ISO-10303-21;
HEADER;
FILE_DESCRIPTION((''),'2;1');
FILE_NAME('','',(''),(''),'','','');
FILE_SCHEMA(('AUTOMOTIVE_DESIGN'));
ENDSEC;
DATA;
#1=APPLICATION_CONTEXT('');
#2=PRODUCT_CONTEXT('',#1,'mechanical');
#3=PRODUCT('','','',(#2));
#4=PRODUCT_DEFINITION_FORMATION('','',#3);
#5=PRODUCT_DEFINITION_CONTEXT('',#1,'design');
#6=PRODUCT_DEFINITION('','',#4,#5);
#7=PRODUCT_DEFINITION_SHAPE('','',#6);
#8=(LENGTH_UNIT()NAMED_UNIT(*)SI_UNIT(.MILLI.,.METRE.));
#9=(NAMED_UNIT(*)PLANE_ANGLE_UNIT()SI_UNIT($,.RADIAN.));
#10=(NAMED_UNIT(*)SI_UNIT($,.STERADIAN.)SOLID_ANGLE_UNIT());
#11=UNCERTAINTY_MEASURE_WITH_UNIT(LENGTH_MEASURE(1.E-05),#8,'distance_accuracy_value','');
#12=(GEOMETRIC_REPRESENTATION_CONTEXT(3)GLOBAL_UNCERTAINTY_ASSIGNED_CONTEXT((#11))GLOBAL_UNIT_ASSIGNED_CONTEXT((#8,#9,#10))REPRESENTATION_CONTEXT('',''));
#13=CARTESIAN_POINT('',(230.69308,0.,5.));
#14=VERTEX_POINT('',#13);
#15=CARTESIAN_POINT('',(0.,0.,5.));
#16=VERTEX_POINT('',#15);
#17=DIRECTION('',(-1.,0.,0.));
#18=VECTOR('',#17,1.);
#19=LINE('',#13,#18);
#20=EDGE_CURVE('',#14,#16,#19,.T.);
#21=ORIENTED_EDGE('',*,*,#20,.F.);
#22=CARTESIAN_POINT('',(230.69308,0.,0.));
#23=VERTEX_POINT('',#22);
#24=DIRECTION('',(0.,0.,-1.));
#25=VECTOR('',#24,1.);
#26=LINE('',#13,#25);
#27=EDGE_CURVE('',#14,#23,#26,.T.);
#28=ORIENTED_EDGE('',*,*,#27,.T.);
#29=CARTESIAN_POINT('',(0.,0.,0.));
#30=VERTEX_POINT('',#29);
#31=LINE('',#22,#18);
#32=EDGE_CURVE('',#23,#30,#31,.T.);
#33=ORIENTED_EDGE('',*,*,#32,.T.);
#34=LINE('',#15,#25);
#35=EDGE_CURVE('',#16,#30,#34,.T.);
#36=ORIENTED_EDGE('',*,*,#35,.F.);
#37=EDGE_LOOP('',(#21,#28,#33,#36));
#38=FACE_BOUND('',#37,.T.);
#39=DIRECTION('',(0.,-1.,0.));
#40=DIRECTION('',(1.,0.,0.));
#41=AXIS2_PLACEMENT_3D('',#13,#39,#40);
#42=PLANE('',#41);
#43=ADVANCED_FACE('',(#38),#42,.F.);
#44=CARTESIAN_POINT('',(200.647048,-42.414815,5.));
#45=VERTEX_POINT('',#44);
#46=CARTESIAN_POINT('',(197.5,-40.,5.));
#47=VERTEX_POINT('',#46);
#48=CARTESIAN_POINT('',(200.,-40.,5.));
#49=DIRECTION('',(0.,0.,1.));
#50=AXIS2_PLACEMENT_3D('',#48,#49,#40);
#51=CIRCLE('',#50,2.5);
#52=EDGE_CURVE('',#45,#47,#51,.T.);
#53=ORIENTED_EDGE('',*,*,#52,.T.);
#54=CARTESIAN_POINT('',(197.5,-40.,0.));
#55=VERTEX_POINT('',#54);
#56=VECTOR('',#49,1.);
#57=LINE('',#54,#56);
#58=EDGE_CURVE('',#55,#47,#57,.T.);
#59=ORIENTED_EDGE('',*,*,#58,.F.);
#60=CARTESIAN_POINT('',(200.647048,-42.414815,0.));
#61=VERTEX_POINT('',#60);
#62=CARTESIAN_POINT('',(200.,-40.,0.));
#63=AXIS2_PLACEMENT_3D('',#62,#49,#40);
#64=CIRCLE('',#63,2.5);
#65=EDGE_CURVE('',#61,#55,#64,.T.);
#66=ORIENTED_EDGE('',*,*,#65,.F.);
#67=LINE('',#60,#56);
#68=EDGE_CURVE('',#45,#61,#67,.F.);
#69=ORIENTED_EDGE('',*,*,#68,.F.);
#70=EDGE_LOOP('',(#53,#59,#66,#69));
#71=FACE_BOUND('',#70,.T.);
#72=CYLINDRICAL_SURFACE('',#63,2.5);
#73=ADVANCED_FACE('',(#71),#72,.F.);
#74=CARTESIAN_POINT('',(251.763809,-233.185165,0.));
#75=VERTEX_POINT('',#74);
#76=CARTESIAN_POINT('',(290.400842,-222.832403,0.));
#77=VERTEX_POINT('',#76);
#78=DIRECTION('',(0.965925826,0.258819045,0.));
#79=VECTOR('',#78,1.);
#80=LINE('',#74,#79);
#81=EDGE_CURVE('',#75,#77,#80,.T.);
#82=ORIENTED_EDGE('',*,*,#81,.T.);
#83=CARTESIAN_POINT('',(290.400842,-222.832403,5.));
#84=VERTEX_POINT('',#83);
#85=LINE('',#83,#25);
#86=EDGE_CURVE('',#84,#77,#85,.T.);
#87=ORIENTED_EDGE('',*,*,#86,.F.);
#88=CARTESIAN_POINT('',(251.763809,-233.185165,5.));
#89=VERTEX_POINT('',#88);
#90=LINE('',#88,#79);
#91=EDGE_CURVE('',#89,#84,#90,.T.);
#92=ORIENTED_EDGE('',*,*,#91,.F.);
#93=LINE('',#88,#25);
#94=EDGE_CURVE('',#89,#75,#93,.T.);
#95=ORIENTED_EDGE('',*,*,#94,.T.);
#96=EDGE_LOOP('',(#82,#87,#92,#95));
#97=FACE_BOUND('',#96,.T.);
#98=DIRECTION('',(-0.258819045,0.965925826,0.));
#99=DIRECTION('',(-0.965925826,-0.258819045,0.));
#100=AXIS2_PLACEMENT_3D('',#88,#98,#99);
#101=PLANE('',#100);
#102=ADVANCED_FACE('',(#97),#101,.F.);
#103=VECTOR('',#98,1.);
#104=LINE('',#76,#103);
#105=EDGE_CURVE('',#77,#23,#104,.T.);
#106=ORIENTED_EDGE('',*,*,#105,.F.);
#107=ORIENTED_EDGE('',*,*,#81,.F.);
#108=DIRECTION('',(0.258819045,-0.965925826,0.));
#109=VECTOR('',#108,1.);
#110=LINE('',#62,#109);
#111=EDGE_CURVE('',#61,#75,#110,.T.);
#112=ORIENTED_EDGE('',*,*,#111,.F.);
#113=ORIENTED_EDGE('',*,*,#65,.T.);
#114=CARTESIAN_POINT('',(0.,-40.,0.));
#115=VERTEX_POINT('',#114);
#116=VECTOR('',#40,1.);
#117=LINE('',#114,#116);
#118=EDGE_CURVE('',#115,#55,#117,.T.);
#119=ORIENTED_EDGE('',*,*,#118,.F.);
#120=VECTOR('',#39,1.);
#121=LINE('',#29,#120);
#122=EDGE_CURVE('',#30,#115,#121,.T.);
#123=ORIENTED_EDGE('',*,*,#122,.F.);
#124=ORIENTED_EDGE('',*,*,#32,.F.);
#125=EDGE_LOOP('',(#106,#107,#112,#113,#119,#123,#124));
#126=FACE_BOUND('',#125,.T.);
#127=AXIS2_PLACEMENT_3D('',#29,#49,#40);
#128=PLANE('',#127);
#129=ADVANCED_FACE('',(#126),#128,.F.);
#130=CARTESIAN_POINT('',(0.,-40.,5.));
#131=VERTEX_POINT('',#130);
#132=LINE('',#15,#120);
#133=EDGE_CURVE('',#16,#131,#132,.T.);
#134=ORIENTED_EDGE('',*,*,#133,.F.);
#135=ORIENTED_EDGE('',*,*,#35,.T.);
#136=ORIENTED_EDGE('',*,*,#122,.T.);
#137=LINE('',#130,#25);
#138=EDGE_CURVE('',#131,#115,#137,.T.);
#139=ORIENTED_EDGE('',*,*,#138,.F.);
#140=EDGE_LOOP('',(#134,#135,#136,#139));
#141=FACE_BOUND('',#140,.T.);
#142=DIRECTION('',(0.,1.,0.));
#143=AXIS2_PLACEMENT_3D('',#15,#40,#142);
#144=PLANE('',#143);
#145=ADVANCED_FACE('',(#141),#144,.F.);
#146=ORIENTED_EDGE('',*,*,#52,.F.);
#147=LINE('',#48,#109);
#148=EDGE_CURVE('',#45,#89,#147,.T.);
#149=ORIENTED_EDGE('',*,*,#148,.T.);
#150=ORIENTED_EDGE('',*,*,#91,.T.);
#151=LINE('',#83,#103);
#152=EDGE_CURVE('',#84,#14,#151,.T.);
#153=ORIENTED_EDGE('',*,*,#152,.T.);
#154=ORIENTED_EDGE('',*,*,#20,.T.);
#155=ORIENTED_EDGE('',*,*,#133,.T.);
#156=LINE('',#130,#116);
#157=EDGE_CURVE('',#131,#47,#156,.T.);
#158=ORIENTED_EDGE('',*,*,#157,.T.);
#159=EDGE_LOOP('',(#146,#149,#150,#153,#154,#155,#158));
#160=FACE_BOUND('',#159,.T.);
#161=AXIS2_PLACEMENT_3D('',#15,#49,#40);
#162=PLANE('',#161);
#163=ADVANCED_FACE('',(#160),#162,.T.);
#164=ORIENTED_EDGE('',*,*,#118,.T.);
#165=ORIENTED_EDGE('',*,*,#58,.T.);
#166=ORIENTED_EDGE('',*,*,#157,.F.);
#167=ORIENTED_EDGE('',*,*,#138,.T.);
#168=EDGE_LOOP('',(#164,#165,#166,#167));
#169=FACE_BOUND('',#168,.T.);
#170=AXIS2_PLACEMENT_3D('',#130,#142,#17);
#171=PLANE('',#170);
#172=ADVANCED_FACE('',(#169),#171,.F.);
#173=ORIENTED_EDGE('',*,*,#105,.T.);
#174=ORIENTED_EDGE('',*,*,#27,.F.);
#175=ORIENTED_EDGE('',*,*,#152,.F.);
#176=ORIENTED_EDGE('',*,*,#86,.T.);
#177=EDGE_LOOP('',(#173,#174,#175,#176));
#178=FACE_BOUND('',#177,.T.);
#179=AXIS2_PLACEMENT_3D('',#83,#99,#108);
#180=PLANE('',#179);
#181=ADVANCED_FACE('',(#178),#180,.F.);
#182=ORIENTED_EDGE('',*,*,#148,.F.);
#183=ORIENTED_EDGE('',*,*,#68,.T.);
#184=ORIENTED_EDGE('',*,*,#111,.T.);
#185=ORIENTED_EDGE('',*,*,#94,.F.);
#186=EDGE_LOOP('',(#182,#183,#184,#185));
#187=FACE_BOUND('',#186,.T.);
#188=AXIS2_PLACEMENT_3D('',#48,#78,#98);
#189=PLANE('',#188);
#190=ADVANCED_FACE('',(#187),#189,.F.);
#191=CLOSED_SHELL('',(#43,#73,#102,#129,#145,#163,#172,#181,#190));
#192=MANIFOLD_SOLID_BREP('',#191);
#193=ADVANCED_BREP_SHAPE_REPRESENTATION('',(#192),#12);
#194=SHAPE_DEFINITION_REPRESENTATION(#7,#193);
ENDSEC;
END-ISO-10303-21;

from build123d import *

# Parameters (mm, degrees)
BOSS_EXTRU_1_DEPTH      = 5
ESQUISSE2_R             = 2.5
ENL_V_MAT_EXTRU_1_DEPTH = 373.468750867


with BuildPart() as part:
    # Esquisse1 → Boss.-Extru.1 (new body)
    with BuildSketch(Plane.XY):
        Polygon((0, 0), (0, -40), (200, -40), (251.763809021, -233.185165258), (290.400842072, -222.832403454), (230.693079519, 0), align=None)
    extrude(amount=BOSS_EXTRU_1_DEPTH)

    # Esquisse2 → Enlèv. mat.-Extru.1 (cut, through all)
    with BuildSketch(Plane.XY.offset(5)):
        with Locations((200, -40)):
            Circle(ESQUISSE2_R)
    extrude(amount=-ENL_V_MAT_EXTRU_1_DEPTH, mode=Mode.SUBTRACT)


solid = part.part
